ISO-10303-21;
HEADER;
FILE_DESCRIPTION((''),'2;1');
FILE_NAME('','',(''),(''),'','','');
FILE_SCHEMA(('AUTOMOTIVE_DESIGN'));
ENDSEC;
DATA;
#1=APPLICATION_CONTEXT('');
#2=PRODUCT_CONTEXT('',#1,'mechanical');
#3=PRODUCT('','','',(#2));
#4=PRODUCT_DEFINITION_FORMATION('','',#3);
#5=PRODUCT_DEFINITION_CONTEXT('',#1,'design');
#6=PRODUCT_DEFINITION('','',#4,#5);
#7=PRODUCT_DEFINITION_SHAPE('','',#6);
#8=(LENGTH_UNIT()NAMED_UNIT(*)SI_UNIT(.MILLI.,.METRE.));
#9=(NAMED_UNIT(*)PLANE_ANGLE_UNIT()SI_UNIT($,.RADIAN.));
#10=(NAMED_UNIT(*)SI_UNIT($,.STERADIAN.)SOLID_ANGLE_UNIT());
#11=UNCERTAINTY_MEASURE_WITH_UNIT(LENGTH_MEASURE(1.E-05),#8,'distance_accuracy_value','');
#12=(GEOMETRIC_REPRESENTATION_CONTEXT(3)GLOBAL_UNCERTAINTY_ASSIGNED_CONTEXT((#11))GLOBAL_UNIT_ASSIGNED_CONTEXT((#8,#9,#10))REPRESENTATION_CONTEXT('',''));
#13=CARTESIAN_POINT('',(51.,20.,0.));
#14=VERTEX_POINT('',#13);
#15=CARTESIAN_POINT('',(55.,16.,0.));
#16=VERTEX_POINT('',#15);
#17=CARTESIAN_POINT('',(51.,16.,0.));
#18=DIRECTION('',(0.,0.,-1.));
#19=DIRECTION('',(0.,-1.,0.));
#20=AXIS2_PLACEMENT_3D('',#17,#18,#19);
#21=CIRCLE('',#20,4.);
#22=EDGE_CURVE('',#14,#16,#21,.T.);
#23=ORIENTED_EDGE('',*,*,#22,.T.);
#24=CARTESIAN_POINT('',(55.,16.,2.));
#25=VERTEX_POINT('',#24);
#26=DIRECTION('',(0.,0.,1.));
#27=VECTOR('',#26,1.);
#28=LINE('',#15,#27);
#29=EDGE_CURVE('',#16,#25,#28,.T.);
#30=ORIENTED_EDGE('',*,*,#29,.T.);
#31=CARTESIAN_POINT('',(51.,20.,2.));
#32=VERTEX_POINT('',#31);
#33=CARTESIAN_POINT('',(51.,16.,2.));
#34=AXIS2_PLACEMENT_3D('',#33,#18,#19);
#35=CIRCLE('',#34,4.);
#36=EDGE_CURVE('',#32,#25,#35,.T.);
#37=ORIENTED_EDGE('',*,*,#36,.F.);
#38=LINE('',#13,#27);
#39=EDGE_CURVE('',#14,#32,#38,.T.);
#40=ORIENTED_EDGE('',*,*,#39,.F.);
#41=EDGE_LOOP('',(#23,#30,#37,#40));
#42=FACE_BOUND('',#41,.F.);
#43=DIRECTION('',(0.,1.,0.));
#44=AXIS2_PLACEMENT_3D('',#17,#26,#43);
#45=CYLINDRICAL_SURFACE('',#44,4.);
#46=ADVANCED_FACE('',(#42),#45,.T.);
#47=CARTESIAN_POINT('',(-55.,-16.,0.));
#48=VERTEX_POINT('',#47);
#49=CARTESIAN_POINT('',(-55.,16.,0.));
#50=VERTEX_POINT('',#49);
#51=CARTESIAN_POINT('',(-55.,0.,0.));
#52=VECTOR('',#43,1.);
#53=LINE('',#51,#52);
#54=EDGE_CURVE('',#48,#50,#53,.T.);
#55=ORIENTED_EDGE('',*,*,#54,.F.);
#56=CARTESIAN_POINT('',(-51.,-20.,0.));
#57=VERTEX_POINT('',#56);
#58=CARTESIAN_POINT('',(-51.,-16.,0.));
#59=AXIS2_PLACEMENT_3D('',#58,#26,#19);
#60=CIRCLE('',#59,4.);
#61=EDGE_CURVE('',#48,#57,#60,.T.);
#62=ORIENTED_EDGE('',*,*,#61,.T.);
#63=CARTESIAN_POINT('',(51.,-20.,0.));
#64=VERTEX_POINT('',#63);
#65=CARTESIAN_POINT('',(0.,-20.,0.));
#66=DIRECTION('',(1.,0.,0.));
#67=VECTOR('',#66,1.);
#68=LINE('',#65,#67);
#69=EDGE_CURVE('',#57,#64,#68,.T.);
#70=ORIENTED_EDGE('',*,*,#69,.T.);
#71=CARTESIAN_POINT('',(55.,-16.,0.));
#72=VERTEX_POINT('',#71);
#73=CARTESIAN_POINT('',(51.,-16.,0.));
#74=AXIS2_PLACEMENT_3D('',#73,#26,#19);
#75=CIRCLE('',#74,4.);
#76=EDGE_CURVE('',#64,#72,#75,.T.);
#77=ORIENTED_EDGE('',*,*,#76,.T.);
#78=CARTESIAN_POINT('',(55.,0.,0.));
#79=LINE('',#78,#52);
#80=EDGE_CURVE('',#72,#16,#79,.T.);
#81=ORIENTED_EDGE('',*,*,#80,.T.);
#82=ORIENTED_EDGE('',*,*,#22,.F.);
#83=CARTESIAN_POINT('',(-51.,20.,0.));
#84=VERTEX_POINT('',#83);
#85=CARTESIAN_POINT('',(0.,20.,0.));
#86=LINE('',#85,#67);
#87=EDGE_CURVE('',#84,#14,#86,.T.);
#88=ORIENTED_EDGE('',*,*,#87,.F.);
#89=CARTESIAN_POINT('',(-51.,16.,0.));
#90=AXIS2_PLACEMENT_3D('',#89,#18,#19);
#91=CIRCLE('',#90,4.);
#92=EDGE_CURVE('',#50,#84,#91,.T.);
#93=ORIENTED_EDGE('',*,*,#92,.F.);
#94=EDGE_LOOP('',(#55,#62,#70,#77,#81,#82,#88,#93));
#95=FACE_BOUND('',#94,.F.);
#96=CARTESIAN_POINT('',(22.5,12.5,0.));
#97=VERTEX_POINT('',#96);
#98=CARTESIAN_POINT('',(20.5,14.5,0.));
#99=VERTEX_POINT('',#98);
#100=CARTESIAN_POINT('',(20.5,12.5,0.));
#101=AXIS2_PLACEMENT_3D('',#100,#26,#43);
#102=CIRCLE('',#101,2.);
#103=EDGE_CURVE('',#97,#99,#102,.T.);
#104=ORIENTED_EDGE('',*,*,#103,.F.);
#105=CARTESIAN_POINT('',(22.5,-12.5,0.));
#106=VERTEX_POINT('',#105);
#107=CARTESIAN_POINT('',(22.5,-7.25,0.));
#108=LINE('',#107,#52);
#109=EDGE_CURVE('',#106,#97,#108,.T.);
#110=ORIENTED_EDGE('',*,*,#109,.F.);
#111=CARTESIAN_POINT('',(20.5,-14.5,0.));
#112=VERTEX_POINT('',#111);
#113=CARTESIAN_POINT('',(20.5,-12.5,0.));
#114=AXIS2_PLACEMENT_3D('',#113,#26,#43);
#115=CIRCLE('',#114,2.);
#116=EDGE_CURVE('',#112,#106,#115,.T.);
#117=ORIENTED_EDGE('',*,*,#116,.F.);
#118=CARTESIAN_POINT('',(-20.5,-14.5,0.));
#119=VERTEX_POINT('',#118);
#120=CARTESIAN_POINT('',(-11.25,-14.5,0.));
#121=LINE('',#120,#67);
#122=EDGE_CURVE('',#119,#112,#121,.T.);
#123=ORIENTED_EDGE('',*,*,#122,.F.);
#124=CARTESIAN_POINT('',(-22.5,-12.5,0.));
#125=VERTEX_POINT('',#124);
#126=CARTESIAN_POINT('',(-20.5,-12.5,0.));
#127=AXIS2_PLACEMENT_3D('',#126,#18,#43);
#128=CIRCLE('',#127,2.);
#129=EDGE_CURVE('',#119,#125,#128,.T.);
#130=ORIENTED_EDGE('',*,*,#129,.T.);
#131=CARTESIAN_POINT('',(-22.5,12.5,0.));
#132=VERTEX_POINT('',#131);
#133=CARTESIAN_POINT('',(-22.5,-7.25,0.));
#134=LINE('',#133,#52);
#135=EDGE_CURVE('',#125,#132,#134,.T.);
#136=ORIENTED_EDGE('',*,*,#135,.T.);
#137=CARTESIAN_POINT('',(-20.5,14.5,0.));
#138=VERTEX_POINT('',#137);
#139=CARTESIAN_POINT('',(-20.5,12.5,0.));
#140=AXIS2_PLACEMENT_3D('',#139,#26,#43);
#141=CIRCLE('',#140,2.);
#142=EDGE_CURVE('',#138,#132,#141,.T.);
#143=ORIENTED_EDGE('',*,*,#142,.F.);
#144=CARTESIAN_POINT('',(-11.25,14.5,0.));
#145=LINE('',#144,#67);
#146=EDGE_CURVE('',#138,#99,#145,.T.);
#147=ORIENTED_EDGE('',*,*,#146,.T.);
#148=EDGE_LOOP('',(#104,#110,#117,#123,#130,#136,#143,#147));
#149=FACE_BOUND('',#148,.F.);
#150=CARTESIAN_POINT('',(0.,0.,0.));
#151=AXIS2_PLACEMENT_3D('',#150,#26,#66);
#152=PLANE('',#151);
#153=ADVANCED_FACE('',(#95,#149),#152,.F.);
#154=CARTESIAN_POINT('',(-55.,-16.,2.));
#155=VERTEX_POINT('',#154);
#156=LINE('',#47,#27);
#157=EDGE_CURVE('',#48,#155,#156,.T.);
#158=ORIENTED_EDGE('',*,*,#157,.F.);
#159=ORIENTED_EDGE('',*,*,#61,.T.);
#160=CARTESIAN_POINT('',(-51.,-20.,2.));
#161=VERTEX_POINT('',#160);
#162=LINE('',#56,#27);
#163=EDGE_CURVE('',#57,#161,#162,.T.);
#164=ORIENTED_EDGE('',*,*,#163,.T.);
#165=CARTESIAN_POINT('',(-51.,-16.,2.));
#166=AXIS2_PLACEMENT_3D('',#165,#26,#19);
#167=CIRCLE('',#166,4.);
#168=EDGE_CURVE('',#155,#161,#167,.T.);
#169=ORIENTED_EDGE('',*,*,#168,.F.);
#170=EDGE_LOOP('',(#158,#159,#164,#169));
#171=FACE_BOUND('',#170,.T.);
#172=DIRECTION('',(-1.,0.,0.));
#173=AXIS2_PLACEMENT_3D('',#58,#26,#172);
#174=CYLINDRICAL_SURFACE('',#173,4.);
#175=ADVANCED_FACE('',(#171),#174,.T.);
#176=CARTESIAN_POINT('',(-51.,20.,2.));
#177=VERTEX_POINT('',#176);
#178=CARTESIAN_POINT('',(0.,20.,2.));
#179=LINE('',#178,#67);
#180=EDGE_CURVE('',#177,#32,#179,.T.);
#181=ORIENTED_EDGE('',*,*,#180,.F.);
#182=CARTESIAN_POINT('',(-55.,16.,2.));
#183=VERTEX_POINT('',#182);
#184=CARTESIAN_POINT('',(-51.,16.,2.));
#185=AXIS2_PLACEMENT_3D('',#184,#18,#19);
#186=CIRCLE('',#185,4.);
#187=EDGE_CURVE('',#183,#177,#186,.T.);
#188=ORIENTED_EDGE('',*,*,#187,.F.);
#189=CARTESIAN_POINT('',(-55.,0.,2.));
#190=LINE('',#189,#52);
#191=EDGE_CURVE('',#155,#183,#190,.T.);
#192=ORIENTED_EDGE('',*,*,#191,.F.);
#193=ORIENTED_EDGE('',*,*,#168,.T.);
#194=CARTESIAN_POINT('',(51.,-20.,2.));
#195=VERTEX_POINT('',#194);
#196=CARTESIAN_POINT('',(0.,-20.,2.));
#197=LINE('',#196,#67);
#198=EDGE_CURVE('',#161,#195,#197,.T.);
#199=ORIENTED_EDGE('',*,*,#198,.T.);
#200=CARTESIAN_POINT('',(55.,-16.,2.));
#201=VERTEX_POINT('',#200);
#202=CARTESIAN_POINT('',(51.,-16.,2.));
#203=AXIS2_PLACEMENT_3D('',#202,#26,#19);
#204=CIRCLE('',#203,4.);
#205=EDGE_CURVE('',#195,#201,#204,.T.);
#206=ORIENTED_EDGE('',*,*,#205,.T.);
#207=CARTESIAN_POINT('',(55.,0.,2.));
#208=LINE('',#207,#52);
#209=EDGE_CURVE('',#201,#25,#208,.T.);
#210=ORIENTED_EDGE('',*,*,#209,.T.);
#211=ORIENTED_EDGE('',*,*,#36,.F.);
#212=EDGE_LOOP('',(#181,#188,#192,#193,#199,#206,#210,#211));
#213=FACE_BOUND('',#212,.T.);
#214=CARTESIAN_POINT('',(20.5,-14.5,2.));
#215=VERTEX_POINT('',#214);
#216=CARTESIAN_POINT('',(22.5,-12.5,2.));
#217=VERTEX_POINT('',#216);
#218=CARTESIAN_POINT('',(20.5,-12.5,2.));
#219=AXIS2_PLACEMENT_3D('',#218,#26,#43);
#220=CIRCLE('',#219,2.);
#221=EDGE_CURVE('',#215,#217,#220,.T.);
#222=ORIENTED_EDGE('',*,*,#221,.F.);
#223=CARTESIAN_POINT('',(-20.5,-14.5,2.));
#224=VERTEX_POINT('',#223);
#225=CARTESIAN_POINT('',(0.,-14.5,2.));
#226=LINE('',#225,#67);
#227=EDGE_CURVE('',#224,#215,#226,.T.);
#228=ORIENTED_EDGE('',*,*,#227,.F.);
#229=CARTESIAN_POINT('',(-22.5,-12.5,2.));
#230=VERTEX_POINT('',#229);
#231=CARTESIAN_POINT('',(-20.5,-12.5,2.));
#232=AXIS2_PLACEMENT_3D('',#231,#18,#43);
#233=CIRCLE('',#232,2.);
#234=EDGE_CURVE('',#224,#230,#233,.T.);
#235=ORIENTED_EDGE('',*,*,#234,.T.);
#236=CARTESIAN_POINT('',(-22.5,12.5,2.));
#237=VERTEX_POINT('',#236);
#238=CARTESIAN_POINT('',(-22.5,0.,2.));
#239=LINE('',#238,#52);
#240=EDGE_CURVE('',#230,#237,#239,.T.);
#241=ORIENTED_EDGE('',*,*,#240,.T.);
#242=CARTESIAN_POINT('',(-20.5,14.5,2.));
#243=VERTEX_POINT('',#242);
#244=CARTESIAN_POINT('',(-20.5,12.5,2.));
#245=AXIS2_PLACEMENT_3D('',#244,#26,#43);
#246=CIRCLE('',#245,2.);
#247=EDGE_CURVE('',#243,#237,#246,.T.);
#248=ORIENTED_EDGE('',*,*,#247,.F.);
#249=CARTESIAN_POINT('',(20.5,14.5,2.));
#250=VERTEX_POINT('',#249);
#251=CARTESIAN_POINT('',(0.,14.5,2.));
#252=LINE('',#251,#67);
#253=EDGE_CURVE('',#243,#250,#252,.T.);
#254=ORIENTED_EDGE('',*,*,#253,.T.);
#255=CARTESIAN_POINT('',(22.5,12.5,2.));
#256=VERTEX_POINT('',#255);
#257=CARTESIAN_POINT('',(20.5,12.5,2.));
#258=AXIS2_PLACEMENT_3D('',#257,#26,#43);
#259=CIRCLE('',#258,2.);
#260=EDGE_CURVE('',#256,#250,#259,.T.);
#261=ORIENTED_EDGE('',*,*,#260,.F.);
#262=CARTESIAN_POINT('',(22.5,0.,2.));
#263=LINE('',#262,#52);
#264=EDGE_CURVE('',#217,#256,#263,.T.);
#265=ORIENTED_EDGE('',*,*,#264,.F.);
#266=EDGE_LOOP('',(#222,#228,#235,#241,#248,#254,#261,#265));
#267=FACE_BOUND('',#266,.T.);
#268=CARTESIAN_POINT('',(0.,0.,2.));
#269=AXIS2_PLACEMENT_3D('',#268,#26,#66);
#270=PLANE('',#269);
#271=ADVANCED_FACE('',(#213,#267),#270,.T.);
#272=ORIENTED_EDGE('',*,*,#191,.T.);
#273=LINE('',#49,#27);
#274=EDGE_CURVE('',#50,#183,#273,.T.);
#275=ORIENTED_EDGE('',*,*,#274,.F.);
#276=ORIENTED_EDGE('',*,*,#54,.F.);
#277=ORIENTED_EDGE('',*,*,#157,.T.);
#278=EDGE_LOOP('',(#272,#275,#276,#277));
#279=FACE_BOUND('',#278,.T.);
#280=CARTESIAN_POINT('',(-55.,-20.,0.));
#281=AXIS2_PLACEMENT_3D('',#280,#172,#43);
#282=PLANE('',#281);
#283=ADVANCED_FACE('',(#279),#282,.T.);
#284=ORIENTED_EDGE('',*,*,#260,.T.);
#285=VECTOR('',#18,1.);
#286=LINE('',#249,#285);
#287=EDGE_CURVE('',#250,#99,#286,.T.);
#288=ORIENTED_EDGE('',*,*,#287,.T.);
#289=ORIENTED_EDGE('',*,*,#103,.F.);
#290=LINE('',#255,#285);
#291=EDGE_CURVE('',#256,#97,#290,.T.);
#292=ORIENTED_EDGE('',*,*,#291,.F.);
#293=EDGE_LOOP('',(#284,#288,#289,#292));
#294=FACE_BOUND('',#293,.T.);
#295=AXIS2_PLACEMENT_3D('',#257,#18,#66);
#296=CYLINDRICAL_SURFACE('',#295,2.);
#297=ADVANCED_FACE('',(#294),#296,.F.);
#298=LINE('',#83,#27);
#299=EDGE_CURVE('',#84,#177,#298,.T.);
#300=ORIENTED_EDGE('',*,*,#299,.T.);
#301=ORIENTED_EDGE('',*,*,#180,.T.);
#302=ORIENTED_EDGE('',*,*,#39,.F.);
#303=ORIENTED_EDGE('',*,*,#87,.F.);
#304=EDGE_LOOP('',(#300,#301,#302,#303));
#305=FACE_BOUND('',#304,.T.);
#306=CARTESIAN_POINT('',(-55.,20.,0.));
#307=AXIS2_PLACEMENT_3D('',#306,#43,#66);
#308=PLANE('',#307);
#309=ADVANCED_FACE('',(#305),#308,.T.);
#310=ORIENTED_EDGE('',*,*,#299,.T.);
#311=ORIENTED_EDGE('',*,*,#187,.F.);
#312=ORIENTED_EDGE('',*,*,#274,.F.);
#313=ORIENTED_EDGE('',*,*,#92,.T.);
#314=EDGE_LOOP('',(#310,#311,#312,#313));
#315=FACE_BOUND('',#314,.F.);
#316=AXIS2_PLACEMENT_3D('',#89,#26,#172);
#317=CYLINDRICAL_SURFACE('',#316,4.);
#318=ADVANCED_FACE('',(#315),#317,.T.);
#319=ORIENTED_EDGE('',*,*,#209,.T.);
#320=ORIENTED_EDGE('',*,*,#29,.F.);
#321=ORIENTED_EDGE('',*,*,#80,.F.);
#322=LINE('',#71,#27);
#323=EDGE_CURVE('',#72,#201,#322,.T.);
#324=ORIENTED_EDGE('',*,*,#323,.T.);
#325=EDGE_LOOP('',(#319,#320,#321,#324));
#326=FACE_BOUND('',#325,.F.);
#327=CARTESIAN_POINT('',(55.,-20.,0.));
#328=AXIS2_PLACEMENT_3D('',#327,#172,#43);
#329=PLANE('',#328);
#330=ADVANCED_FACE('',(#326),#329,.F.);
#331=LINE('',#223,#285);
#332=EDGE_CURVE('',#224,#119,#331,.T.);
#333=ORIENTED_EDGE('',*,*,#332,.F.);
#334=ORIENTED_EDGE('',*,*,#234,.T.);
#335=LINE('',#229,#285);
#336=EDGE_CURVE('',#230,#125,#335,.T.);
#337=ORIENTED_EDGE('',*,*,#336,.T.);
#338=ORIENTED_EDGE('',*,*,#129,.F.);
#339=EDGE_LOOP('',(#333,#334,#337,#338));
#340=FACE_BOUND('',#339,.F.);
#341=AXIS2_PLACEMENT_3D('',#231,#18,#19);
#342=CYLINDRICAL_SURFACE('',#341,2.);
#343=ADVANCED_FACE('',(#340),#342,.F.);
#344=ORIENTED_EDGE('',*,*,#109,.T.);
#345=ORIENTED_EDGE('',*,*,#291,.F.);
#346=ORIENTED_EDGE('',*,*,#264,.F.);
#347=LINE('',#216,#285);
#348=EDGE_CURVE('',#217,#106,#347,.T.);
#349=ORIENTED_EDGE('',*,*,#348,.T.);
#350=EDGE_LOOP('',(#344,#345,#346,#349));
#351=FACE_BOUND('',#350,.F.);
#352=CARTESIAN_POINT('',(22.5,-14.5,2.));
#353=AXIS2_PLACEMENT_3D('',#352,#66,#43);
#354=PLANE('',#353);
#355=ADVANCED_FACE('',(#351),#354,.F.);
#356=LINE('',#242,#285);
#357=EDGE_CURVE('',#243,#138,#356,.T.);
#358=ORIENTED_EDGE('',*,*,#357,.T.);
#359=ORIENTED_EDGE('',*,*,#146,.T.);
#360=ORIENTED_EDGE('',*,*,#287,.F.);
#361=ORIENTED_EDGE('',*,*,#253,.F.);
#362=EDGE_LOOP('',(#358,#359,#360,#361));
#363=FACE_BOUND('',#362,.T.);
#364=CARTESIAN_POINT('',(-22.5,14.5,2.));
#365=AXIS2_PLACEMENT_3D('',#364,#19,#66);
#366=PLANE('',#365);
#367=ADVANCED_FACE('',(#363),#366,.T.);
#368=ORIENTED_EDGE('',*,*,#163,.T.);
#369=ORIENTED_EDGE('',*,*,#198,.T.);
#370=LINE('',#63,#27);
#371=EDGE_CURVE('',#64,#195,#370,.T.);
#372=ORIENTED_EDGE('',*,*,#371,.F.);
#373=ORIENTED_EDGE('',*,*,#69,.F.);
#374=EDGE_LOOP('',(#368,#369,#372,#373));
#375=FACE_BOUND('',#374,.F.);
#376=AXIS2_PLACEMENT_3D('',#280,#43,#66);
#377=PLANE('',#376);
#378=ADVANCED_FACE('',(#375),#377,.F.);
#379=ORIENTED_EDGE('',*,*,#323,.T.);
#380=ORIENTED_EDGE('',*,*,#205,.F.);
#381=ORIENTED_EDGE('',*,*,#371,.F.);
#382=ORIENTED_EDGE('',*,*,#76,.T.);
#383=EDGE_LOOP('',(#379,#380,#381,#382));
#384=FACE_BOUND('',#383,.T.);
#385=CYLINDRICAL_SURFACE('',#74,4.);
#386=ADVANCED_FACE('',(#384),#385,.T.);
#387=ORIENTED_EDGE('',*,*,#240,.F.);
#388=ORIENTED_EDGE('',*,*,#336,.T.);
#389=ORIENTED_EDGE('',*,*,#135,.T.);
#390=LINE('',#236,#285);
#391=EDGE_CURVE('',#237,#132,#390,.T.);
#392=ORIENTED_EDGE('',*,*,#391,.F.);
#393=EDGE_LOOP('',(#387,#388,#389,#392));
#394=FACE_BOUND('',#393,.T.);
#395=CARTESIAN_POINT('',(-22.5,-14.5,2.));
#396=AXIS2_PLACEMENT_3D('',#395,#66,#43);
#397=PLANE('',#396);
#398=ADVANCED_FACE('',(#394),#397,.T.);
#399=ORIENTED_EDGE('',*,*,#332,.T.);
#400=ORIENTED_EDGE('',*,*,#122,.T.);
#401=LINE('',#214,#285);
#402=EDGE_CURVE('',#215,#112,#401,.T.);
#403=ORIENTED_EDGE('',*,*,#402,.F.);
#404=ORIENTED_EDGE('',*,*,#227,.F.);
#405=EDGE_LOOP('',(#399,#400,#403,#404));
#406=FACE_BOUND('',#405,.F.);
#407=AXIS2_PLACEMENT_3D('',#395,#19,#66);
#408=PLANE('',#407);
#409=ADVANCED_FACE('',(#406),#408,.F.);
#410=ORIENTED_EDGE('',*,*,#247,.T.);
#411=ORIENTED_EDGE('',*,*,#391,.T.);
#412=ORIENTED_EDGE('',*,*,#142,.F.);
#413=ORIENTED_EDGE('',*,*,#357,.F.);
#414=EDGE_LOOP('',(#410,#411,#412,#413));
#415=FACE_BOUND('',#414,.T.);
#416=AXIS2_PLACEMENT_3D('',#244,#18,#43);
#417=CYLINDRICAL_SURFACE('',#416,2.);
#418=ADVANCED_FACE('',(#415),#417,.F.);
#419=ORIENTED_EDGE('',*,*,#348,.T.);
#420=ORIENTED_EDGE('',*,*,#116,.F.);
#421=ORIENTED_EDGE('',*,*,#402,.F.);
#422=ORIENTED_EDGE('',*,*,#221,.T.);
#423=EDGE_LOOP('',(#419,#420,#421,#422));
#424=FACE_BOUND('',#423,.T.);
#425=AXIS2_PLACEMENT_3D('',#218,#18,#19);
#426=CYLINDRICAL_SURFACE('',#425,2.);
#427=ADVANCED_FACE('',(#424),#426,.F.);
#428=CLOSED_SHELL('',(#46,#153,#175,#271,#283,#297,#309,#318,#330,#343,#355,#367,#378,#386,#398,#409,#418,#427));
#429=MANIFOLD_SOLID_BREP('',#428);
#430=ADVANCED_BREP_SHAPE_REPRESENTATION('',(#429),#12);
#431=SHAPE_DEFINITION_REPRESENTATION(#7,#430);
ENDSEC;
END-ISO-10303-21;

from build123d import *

# Parameters (mm, degrees)
F0_W     = 110
F0_H     = 40
F1_DEPTH = 2
F2_W     = 45
F2_H     = 29
F3_DEPTH = 2.001
F4_R     = 2
F5_R     = 4


with BuildPart() as f1:
    # F0 (on Top) → F1 (new body)
    with BuildSketch(Plane.XY):
        Rectangle(F0_W, F0_H)
    extrude(amount=F1_DEPTH)

    # F2 (on face) → F3 (cut, through all)
    with BuildSketch(Plane.XY.offset(2)):
        Rectangle(F2_W, F2_H)
    extrude(amount=-F3_DEPTH, mode=Mode.SUBTRACT)

    # F4
    f4_edges = [f1.edges().sort_by_distance(p)[0] for p in [
        (-22.5, 14.5, 1),
        (22.5, 14.5, 1),
        (-22.5, -14.5, 1),
        (22.5, -14.5, 1),
    ]]
    fillet(f4_edges, radius=F4_R)

    # F5
    f5_edges = [f1.edges().sort_by_distance(p)[0] for p in [
        (-55, -20, 1),
        (-55, 20, 1),
        (55, 20, 1),
        (55, -20, 1),
    ]]
    fillet(f5_edges, radius=F5_R)


solid = f1.part
